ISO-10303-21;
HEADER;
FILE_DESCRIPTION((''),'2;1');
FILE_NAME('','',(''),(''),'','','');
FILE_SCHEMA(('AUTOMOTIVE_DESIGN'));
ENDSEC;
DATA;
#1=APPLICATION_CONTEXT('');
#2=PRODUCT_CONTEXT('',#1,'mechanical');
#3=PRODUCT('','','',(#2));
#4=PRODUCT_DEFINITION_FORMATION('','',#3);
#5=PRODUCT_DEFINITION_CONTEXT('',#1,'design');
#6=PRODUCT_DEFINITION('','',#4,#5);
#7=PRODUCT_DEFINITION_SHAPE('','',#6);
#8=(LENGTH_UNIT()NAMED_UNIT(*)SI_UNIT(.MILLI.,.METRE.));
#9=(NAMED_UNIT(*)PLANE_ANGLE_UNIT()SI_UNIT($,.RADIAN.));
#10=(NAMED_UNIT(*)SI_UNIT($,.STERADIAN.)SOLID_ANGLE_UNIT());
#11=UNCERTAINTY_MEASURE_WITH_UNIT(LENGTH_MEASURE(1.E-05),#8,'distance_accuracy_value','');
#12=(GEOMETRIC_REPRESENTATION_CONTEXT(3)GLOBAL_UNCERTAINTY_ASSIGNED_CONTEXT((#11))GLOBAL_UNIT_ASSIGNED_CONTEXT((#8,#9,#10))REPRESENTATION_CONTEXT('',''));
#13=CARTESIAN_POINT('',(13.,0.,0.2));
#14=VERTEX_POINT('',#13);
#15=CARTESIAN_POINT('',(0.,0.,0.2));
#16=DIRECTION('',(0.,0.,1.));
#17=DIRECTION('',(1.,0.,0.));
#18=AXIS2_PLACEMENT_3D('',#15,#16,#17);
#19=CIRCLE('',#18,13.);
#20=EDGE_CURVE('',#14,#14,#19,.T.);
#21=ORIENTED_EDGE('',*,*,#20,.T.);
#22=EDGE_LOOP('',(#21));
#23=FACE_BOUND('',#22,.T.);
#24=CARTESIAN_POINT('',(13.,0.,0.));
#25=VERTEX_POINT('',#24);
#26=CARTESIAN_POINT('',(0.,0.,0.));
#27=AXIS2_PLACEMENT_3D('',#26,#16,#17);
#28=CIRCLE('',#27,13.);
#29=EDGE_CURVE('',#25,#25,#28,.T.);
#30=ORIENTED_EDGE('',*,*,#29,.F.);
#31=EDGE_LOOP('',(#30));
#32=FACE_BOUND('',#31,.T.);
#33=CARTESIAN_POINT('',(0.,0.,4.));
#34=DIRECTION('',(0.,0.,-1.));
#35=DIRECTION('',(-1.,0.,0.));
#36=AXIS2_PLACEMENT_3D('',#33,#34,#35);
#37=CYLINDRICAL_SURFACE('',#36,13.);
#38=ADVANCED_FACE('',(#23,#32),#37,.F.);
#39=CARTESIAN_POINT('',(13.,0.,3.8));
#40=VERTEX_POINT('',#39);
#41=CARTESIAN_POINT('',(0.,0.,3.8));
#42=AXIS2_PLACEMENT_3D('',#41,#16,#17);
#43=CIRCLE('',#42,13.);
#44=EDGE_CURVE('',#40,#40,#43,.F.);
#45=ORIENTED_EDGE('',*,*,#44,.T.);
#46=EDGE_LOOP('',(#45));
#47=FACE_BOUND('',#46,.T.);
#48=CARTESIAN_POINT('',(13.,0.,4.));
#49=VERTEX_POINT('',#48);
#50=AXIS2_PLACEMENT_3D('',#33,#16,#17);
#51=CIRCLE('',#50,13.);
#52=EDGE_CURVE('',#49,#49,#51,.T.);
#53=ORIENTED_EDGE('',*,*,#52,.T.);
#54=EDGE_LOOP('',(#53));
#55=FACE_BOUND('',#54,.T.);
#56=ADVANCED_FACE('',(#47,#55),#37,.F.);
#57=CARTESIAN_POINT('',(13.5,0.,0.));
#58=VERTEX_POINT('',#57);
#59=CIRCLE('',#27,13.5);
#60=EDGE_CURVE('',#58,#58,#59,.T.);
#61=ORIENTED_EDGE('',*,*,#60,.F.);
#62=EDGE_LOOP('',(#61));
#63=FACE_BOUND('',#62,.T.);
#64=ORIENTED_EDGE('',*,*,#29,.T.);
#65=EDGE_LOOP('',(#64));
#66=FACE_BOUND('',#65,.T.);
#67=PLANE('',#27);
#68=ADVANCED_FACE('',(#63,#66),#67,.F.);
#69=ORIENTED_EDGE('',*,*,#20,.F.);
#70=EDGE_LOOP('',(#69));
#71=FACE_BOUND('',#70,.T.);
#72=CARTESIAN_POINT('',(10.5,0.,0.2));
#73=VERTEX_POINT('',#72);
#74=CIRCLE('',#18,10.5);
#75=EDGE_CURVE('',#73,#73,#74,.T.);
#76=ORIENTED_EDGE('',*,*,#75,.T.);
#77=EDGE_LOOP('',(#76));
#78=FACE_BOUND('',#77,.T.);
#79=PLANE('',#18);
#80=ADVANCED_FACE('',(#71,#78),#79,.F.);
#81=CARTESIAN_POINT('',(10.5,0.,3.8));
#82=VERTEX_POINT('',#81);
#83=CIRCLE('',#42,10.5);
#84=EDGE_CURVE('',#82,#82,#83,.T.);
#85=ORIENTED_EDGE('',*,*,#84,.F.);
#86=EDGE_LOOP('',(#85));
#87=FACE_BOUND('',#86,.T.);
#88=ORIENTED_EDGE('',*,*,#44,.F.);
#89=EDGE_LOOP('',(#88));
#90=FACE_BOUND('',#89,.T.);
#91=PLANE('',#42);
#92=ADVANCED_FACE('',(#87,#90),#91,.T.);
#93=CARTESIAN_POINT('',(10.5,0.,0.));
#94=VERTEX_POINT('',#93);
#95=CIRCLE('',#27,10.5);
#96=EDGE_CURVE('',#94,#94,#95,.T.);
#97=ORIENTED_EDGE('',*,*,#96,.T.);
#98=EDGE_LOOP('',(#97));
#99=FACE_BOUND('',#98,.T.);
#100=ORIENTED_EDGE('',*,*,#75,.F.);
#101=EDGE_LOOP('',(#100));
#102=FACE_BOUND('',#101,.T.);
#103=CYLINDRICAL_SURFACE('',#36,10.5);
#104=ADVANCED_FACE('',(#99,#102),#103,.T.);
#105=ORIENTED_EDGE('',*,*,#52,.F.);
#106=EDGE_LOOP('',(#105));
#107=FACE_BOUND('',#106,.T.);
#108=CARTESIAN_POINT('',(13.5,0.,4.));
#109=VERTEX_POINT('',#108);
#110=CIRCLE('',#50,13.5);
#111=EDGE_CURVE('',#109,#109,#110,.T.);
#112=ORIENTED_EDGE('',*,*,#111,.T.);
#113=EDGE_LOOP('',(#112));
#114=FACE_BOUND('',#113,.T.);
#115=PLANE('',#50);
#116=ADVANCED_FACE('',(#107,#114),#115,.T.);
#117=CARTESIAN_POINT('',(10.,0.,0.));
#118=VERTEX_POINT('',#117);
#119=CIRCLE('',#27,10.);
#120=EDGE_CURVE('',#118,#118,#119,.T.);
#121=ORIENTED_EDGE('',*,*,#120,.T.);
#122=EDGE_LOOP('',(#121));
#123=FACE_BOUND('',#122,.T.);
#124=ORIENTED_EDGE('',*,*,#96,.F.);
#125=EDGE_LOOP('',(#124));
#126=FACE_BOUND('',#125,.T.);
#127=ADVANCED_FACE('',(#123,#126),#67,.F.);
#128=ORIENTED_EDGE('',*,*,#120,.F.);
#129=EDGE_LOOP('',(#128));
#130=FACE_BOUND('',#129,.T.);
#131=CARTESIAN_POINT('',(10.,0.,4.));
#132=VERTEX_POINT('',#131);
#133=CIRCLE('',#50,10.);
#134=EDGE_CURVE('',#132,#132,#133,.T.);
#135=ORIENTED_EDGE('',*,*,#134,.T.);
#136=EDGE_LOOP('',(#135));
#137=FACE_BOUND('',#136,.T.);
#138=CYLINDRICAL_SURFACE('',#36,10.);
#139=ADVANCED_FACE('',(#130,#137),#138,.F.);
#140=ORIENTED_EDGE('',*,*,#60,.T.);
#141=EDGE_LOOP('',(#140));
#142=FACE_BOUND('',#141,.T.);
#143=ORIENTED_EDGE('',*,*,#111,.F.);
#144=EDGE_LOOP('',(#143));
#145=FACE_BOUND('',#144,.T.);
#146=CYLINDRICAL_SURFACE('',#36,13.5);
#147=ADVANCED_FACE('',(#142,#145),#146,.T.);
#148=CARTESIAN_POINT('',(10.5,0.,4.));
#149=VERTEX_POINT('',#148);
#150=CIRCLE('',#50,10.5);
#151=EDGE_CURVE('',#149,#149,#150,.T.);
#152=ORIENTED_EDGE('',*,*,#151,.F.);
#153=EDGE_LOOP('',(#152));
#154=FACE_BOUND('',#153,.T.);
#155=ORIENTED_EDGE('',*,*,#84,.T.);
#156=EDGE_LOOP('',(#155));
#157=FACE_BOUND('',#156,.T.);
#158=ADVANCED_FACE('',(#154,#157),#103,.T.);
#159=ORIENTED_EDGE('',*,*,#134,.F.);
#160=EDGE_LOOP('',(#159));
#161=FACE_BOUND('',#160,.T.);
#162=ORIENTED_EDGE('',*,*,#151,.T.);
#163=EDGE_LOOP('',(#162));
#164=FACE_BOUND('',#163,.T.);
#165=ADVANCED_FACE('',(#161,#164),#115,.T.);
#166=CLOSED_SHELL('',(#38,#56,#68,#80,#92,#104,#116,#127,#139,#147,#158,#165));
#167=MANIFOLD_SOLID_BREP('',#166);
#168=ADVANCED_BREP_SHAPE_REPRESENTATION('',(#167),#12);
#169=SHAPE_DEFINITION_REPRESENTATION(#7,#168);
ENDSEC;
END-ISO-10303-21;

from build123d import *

# Parameters (mm, degrees)
SKETCH1_R          = 10.5
SKETCH1_R_2        = 10
EXTRUSION1_DEPTH   = 4
SKETCH1_R_3        = 13.5
SKETCH1_R_4        = 13
EXTRUSION1_2_DEPTH = 4
SKETCH2_R          = 13
SKETCH2_R_2        = 10.5
EXTRUSION2_DEPTH   = 3.6


with BuildPart() as part:
    # Sketch1 → Extrusion1 (new body)
    with BuildSketch(Plane.XY):
        Circle(SKETCH1_R)
        Circle(SKETCH1_R_2, mode=Mode.SUBTRACT)
    extrude(amount=EXTRUSION1_DEPTH)



with BuildPart() as body_2:
    # Sketch1 → Extrusion1 2 (new body)
    with BuildSketch(Plane.XY):
        Circle(SKETCH1_R_3)
        Circle(SKETCH1_R_4, mode=Mode.SUBTRACT)
    extrude(amount=EXTRUSION1_2_DEPTH)


with BuildPart() as part_1:
    add(part.part)

    add(body_2.part)  # Extrusion2 merges body 2
    # Sketch2 → Extrusion2 (add)
    with BuildSketch(Plane.XY.offset(0.2)):
        Circle(SKETCH2_R)
        Circle(SKETCH2_R_2, mode=Mode.SUBTRACT)
    extrude(amount=EXTRUSION2_DEPTH)


solid = part_1.part
